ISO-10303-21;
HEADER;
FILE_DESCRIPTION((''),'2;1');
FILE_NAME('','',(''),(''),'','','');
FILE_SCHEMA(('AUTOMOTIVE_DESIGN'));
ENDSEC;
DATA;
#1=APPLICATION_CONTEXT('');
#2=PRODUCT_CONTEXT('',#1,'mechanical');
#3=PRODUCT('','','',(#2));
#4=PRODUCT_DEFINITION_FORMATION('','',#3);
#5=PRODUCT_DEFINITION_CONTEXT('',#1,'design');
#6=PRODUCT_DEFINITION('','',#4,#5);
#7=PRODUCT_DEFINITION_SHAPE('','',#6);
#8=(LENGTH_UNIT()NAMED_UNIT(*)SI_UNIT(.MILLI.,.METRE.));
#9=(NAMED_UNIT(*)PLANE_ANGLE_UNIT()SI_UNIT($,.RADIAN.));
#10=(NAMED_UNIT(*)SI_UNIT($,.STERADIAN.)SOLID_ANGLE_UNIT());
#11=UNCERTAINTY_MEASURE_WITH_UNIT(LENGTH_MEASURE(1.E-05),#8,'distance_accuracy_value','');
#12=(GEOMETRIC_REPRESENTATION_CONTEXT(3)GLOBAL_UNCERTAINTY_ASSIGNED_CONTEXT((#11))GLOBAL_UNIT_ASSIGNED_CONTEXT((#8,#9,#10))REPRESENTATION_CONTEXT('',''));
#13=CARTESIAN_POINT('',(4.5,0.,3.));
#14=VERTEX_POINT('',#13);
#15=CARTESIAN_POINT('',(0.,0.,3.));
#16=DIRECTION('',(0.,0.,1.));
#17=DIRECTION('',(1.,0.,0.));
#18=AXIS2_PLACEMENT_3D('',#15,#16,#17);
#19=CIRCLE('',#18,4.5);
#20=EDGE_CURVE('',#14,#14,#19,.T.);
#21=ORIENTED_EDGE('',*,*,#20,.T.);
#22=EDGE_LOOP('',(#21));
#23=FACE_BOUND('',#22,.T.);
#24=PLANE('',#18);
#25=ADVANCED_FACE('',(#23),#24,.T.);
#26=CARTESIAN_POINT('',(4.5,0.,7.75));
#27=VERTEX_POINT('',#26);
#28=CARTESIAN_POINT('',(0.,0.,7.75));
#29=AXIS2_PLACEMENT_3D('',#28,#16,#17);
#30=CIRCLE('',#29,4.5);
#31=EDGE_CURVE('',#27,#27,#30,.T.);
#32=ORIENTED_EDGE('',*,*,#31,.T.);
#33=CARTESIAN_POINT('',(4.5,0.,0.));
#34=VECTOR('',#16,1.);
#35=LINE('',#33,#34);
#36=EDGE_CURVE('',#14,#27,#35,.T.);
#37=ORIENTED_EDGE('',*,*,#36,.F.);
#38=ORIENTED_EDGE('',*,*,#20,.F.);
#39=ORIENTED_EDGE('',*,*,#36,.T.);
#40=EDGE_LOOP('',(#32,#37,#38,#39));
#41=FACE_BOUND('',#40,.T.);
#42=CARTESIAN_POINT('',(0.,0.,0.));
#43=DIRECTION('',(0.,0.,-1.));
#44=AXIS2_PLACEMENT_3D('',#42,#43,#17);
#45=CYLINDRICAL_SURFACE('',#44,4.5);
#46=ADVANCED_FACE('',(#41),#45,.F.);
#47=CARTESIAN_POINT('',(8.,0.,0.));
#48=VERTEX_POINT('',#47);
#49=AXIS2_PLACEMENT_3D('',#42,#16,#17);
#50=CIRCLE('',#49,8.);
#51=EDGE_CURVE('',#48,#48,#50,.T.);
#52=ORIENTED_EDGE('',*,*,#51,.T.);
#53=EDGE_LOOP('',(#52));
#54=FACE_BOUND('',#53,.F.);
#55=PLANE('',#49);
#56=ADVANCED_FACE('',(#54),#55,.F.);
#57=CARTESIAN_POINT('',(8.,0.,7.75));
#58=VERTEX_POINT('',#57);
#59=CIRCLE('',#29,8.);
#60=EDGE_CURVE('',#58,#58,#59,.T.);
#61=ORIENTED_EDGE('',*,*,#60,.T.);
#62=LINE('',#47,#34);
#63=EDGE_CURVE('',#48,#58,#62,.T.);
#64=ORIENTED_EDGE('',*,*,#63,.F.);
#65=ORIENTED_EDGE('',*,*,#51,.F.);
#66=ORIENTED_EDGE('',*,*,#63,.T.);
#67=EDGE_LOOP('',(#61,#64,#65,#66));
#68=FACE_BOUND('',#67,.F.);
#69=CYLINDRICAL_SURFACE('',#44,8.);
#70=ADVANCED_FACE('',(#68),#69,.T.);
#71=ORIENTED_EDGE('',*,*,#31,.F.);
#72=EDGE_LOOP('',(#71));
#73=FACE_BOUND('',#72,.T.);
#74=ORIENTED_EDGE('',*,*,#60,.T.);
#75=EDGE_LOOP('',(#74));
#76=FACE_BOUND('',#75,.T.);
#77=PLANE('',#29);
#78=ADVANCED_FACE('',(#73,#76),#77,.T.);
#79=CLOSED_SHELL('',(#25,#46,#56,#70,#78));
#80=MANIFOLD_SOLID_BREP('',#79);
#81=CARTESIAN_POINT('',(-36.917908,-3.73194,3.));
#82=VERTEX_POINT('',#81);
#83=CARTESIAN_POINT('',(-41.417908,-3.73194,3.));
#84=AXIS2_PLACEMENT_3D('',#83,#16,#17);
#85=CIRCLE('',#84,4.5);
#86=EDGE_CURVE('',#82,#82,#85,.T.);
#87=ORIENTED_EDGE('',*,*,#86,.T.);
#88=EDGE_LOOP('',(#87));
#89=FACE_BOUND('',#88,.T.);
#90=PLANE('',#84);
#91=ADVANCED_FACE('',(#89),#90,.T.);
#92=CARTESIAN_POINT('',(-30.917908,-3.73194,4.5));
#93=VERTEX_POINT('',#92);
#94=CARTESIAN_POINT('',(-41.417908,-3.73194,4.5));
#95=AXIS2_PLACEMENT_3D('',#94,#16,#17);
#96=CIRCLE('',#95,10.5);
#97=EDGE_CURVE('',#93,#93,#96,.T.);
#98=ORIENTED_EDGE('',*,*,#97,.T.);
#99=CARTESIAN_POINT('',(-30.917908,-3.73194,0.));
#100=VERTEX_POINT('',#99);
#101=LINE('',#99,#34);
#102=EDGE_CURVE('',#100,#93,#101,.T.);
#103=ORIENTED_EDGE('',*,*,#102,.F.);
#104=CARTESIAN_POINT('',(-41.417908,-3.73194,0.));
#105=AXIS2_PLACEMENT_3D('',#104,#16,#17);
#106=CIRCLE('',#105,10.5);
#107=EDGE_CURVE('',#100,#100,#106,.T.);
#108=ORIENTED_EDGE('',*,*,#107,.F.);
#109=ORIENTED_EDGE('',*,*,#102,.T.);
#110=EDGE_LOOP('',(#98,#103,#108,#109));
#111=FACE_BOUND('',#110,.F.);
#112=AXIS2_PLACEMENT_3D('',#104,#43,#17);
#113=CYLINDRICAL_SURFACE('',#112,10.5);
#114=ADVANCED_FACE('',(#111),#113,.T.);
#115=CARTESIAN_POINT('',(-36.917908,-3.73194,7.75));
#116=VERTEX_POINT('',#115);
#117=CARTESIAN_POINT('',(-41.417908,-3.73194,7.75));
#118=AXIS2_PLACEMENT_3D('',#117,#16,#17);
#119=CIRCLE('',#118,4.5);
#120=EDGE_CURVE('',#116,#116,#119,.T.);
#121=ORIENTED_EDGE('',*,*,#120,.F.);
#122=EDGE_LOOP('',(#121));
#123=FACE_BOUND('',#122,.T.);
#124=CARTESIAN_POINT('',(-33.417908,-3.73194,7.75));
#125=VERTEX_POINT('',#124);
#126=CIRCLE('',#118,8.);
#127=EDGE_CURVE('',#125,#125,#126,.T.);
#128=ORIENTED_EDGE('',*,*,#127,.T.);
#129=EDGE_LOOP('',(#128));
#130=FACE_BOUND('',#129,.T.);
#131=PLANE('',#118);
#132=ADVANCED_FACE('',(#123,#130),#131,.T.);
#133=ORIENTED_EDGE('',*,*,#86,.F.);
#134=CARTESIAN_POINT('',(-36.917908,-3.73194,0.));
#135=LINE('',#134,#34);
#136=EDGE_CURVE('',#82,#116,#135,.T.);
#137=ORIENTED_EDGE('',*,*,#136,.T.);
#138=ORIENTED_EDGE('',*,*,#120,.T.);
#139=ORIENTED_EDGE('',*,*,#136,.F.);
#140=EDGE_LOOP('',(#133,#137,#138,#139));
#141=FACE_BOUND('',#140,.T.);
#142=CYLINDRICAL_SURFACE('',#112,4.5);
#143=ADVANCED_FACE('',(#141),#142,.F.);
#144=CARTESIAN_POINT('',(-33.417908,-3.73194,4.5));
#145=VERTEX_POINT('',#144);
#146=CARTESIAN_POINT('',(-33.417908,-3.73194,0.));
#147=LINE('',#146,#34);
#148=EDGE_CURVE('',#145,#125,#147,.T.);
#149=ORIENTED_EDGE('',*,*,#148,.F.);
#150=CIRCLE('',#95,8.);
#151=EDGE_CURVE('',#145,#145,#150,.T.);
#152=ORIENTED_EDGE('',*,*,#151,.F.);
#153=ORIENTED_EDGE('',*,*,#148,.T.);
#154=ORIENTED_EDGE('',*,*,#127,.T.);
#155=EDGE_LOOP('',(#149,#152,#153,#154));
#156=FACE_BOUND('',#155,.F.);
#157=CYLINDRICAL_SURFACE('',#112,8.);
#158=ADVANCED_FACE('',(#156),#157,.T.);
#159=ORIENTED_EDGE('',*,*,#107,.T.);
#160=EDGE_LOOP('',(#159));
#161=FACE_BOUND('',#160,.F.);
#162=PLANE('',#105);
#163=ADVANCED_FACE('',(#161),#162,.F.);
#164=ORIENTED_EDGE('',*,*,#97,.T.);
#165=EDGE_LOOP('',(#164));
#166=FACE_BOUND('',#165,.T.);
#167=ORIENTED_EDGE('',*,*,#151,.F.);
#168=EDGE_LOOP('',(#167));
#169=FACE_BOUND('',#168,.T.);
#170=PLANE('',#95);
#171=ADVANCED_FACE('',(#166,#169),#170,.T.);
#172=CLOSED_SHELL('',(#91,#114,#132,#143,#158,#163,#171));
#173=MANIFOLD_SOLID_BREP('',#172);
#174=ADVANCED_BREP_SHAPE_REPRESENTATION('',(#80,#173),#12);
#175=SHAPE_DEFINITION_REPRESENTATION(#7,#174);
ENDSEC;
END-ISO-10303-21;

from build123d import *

# Parameters (mm, degrees)
F0_R     = 8
F0_R_2   = 4.5
F1_DEPTH = 7.75
F2_DEPTH = 3
F0_R_3   = 10.5
F3_DEPTH = 4.5


with BuildPart() as f1:
    # F0 (on Top) → F1 (new body)
    with BuildSketch(Plane.XY):
        Circle(F0_R)
        Circle(F0_R_2, mode=Mode.SUBTRACT)
        with Locations((-41.417908, -3.73194)):
            Circle(F0_R)
        with Locations((-41.417908, -3.73194)):
            Circle(F0_R_2, mode=Mode.SUBTRACT)
    extrude(amount=F1_DEPTH)

    # F0 (on Top) → F2 (join)
    with BuildSketch(Plane.XY):
        Circle(F0_R_2)
        with Locations((-41.417908, -3.73194)):
            Circle(F0_R_2)
    extrude(amount=F2_DEPTH)

    # F0 (on Top) → F3 (join)
    with BuildSketch(Plane.XY):
        with Locations((-41.417908, -3.73194)):
            Circle(F0_R_3)
        with Locations((-41.417908, -3.73194)):
            Circle(F0_R, mode=Mode.SUBTRACT)
    extrude(amount=F3_DEPTH)


solid = f1.part
